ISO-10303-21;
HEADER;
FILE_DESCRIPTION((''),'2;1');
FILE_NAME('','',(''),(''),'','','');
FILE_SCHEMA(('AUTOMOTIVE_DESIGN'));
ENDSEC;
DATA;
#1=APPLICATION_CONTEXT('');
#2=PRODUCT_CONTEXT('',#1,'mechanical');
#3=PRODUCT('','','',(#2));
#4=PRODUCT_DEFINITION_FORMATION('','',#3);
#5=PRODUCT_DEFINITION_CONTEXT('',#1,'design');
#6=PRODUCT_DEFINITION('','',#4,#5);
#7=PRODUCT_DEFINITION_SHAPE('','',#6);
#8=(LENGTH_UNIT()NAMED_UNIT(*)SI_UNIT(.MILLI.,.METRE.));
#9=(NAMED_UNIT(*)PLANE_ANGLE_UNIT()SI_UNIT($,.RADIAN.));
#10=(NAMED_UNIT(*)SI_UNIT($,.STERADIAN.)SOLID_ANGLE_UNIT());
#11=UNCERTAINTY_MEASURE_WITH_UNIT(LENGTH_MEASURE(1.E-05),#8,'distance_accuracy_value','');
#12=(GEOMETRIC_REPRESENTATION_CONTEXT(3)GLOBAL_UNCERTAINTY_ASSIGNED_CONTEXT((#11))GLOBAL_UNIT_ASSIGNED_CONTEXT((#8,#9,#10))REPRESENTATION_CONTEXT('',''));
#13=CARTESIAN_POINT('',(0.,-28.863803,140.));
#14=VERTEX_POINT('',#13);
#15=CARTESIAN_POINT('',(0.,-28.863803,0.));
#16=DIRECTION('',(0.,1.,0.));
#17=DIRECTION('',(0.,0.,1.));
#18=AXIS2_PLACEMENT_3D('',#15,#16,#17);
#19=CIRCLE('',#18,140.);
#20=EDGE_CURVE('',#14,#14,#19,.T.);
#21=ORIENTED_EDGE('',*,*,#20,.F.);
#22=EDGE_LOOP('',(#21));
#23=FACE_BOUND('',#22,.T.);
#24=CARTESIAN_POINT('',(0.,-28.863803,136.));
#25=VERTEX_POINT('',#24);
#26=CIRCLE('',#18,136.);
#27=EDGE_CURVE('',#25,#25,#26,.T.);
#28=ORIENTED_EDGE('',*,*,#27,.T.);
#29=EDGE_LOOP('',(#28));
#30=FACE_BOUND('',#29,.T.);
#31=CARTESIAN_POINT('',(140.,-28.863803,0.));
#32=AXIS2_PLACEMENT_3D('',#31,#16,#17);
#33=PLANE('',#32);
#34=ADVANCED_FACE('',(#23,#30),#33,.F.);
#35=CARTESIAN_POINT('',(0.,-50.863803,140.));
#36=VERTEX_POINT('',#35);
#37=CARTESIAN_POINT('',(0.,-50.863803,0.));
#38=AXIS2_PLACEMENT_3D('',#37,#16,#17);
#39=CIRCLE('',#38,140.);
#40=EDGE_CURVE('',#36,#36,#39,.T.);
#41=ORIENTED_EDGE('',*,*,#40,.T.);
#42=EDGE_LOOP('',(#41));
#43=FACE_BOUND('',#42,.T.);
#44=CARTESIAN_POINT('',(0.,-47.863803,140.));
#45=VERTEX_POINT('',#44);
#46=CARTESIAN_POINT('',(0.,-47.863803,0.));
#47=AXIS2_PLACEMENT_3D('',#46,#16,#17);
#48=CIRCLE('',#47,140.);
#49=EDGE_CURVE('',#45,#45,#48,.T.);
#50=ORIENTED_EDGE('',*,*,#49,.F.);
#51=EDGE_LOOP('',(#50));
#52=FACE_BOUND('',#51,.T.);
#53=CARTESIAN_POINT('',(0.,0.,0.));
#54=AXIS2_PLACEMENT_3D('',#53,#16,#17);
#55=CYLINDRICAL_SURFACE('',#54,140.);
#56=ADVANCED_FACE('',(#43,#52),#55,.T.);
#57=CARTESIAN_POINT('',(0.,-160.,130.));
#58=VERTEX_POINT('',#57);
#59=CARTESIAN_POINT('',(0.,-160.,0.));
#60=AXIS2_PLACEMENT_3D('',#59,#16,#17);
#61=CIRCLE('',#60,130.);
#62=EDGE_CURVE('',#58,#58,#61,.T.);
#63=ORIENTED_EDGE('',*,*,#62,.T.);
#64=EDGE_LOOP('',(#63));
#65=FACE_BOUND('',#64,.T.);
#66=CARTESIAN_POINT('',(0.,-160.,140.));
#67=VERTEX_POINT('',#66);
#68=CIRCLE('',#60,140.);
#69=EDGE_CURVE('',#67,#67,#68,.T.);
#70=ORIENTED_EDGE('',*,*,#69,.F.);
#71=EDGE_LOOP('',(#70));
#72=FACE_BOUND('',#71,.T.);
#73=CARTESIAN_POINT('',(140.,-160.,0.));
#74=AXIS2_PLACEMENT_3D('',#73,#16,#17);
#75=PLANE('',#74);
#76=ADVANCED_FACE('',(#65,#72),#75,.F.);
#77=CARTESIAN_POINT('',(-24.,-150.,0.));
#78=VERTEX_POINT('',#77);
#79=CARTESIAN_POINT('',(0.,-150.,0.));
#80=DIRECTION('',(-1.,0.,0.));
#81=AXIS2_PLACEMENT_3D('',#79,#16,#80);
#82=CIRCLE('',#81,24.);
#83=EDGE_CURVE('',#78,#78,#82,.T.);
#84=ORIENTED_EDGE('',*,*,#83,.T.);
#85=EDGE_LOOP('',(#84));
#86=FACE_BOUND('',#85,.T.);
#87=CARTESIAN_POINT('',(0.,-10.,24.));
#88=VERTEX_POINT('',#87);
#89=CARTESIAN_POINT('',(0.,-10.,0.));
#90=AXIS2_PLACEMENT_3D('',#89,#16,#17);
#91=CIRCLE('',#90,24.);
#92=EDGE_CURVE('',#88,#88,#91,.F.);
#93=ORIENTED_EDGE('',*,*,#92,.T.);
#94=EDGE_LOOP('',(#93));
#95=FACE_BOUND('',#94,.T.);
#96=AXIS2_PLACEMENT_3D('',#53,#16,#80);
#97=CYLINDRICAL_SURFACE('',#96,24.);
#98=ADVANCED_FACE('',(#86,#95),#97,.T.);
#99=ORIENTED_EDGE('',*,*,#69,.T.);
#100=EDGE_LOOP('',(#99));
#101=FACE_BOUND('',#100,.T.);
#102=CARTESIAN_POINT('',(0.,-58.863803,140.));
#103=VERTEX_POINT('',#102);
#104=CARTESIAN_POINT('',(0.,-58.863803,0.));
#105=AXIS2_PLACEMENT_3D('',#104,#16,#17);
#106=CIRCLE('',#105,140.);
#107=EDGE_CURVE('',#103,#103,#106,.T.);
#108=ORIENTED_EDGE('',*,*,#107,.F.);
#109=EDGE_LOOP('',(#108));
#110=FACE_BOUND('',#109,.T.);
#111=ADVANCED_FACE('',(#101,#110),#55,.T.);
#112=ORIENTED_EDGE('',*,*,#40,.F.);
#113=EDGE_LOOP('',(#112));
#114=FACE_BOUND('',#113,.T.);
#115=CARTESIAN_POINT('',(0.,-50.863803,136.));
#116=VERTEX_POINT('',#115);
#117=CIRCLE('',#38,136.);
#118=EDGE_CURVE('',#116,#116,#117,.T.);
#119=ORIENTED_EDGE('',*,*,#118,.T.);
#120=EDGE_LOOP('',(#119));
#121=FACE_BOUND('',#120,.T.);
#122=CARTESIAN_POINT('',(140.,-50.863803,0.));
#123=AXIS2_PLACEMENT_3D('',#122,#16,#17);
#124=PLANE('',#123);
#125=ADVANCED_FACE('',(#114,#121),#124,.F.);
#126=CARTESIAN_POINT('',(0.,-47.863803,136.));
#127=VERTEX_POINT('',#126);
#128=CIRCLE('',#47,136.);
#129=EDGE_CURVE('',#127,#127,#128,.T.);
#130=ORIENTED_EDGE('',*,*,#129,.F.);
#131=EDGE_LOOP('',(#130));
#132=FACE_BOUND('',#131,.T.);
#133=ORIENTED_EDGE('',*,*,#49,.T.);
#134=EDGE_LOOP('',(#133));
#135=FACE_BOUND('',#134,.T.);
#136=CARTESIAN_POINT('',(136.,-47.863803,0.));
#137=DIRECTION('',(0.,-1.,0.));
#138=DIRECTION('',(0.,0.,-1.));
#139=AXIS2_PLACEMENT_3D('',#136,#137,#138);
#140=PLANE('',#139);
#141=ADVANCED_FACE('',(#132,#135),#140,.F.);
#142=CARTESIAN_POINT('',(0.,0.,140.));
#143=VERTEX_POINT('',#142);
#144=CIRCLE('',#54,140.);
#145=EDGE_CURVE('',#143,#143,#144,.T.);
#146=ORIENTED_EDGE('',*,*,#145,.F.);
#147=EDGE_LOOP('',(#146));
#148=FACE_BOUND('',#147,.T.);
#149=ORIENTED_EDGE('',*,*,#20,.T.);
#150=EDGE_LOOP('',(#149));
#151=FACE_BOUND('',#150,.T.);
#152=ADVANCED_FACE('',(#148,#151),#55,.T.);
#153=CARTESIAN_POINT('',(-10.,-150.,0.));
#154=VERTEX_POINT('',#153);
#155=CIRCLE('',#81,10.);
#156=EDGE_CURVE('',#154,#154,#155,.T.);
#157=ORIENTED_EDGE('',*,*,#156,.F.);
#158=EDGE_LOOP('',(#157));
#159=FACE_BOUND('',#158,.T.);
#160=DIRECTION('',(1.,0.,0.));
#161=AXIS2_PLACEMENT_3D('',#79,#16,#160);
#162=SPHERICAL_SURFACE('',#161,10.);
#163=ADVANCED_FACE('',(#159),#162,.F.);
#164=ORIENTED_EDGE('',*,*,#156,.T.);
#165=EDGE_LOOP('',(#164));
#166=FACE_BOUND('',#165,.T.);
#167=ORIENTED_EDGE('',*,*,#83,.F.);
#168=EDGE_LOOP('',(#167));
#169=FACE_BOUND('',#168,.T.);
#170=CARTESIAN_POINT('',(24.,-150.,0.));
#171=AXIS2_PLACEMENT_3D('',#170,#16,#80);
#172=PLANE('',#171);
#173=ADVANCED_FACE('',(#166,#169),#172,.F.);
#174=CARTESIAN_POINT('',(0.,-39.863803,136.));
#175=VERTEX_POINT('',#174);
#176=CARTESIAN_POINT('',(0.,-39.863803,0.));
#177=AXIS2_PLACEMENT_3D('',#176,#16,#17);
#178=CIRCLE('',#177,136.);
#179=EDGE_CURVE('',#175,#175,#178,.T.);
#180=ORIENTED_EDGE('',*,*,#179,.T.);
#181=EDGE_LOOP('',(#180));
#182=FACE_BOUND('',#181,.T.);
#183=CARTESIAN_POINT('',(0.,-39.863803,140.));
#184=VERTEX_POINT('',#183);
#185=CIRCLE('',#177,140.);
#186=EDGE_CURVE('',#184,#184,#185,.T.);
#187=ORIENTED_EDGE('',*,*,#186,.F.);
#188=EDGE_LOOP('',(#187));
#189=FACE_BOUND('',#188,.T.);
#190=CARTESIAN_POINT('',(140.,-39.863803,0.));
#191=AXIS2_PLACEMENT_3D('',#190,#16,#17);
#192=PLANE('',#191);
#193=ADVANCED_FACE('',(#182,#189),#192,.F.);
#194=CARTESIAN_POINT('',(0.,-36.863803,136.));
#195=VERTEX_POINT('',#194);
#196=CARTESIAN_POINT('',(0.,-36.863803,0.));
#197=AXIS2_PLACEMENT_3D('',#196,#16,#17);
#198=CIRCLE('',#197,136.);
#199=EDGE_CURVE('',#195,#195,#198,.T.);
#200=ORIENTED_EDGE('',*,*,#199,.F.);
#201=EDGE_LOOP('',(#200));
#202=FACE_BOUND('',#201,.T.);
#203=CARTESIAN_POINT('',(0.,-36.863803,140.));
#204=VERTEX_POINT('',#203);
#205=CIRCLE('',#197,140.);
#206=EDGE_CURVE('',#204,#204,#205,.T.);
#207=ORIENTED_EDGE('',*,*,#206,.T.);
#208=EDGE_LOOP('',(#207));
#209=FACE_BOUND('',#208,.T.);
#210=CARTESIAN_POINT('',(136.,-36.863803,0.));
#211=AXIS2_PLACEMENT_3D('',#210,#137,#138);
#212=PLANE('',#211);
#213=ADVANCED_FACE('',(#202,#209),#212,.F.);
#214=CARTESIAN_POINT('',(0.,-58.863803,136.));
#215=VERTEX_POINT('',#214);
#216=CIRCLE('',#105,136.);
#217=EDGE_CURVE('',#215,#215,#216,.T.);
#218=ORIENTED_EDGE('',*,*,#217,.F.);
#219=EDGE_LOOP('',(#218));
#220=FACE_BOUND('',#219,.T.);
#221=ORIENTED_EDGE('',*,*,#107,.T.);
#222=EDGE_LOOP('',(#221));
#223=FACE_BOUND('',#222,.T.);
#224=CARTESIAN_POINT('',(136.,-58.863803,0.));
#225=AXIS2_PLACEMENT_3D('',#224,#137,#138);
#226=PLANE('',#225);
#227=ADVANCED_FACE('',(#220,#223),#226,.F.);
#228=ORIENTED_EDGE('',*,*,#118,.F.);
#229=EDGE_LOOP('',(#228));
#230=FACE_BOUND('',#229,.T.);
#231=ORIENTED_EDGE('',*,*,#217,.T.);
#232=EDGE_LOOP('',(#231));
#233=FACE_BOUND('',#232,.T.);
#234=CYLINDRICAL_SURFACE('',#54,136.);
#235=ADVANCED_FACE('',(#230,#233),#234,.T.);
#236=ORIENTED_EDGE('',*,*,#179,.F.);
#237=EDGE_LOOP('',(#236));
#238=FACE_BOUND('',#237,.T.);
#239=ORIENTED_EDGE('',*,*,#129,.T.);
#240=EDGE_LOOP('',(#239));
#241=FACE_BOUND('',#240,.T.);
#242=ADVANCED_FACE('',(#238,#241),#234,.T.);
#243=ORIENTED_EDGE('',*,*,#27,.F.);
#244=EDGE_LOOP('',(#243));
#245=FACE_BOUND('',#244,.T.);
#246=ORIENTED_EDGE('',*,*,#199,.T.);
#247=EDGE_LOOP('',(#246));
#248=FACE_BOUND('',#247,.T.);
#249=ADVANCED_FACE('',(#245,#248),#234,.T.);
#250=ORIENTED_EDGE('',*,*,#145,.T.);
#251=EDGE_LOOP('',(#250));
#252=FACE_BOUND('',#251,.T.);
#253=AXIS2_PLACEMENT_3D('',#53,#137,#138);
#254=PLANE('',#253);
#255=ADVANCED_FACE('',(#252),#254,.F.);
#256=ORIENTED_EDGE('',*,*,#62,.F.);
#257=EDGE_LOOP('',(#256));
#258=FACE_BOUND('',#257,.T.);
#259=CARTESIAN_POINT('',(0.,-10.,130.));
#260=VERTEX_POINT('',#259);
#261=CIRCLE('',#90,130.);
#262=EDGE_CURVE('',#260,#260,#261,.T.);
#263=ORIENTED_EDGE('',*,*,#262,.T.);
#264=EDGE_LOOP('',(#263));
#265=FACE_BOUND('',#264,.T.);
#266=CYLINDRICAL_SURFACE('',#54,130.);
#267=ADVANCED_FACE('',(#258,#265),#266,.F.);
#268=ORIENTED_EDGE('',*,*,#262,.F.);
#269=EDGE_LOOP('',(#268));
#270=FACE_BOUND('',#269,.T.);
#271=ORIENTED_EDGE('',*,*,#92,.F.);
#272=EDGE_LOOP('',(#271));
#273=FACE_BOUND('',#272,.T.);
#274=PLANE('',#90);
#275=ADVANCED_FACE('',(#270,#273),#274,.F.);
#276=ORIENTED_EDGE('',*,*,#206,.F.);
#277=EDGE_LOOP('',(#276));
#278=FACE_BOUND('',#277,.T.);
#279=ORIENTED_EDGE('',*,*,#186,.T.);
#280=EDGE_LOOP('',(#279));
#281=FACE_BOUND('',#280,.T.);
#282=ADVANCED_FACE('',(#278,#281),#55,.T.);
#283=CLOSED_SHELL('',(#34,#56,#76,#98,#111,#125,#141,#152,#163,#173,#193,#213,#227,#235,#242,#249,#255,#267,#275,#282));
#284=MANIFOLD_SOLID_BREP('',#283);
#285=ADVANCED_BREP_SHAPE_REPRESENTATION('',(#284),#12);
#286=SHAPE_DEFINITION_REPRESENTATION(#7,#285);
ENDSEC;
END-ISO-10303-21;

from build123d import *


with BuildPart() as part:
    # Sketch1 → Revolve1 (revolve)
    with BuildSketch(Plane.XY, mode=Mode.PRIVATE) as revolve1_sk:
        Polygon((0, 0), (140, 0), (140, -28.863803247), (136, -28.863803247), (136, -36.863803247), (140, -36.863803247), (140, -39.863803247), (136, -39.863803247), (136, -47.863803247), (140, -47.863803247), (140, -50.863803247), (136, -50.863803247), (136, -58.863803247), (140, -58.863803247), (140, -160), (130, -160), (130, -10), (0, -10), align=None)
    revolve(revolve1_sk.sketch.rotate(Axis((0, 0, 0), (0, -1, 0)), 90), axis=Axis((0, 0, 0), (0, -1, 0)))

    # Sketch2 → Revolve2 (revolve)
    with BuildSketch(Plane.XY, mode=Mode.PRIVATE) as revolve2_sk:
        with BuildLine():
            Line((0, 0), (0, -140))
            ThreePointArc((0, -140), (7.071067812, -142.928932188), (10, -150))
            Line((10, -150), (24, -150))
            Line((24, -150), (24, 0))
            Line((24, 0), (0, 0))
        make_face()
    revolve(revolve2_sk.sketch.rotate(Axis((0, 0, 0), (0, -1, 0)), 180), axis=Axis((0, 0, 0), (0, -1, 0)))


solid = part.part
